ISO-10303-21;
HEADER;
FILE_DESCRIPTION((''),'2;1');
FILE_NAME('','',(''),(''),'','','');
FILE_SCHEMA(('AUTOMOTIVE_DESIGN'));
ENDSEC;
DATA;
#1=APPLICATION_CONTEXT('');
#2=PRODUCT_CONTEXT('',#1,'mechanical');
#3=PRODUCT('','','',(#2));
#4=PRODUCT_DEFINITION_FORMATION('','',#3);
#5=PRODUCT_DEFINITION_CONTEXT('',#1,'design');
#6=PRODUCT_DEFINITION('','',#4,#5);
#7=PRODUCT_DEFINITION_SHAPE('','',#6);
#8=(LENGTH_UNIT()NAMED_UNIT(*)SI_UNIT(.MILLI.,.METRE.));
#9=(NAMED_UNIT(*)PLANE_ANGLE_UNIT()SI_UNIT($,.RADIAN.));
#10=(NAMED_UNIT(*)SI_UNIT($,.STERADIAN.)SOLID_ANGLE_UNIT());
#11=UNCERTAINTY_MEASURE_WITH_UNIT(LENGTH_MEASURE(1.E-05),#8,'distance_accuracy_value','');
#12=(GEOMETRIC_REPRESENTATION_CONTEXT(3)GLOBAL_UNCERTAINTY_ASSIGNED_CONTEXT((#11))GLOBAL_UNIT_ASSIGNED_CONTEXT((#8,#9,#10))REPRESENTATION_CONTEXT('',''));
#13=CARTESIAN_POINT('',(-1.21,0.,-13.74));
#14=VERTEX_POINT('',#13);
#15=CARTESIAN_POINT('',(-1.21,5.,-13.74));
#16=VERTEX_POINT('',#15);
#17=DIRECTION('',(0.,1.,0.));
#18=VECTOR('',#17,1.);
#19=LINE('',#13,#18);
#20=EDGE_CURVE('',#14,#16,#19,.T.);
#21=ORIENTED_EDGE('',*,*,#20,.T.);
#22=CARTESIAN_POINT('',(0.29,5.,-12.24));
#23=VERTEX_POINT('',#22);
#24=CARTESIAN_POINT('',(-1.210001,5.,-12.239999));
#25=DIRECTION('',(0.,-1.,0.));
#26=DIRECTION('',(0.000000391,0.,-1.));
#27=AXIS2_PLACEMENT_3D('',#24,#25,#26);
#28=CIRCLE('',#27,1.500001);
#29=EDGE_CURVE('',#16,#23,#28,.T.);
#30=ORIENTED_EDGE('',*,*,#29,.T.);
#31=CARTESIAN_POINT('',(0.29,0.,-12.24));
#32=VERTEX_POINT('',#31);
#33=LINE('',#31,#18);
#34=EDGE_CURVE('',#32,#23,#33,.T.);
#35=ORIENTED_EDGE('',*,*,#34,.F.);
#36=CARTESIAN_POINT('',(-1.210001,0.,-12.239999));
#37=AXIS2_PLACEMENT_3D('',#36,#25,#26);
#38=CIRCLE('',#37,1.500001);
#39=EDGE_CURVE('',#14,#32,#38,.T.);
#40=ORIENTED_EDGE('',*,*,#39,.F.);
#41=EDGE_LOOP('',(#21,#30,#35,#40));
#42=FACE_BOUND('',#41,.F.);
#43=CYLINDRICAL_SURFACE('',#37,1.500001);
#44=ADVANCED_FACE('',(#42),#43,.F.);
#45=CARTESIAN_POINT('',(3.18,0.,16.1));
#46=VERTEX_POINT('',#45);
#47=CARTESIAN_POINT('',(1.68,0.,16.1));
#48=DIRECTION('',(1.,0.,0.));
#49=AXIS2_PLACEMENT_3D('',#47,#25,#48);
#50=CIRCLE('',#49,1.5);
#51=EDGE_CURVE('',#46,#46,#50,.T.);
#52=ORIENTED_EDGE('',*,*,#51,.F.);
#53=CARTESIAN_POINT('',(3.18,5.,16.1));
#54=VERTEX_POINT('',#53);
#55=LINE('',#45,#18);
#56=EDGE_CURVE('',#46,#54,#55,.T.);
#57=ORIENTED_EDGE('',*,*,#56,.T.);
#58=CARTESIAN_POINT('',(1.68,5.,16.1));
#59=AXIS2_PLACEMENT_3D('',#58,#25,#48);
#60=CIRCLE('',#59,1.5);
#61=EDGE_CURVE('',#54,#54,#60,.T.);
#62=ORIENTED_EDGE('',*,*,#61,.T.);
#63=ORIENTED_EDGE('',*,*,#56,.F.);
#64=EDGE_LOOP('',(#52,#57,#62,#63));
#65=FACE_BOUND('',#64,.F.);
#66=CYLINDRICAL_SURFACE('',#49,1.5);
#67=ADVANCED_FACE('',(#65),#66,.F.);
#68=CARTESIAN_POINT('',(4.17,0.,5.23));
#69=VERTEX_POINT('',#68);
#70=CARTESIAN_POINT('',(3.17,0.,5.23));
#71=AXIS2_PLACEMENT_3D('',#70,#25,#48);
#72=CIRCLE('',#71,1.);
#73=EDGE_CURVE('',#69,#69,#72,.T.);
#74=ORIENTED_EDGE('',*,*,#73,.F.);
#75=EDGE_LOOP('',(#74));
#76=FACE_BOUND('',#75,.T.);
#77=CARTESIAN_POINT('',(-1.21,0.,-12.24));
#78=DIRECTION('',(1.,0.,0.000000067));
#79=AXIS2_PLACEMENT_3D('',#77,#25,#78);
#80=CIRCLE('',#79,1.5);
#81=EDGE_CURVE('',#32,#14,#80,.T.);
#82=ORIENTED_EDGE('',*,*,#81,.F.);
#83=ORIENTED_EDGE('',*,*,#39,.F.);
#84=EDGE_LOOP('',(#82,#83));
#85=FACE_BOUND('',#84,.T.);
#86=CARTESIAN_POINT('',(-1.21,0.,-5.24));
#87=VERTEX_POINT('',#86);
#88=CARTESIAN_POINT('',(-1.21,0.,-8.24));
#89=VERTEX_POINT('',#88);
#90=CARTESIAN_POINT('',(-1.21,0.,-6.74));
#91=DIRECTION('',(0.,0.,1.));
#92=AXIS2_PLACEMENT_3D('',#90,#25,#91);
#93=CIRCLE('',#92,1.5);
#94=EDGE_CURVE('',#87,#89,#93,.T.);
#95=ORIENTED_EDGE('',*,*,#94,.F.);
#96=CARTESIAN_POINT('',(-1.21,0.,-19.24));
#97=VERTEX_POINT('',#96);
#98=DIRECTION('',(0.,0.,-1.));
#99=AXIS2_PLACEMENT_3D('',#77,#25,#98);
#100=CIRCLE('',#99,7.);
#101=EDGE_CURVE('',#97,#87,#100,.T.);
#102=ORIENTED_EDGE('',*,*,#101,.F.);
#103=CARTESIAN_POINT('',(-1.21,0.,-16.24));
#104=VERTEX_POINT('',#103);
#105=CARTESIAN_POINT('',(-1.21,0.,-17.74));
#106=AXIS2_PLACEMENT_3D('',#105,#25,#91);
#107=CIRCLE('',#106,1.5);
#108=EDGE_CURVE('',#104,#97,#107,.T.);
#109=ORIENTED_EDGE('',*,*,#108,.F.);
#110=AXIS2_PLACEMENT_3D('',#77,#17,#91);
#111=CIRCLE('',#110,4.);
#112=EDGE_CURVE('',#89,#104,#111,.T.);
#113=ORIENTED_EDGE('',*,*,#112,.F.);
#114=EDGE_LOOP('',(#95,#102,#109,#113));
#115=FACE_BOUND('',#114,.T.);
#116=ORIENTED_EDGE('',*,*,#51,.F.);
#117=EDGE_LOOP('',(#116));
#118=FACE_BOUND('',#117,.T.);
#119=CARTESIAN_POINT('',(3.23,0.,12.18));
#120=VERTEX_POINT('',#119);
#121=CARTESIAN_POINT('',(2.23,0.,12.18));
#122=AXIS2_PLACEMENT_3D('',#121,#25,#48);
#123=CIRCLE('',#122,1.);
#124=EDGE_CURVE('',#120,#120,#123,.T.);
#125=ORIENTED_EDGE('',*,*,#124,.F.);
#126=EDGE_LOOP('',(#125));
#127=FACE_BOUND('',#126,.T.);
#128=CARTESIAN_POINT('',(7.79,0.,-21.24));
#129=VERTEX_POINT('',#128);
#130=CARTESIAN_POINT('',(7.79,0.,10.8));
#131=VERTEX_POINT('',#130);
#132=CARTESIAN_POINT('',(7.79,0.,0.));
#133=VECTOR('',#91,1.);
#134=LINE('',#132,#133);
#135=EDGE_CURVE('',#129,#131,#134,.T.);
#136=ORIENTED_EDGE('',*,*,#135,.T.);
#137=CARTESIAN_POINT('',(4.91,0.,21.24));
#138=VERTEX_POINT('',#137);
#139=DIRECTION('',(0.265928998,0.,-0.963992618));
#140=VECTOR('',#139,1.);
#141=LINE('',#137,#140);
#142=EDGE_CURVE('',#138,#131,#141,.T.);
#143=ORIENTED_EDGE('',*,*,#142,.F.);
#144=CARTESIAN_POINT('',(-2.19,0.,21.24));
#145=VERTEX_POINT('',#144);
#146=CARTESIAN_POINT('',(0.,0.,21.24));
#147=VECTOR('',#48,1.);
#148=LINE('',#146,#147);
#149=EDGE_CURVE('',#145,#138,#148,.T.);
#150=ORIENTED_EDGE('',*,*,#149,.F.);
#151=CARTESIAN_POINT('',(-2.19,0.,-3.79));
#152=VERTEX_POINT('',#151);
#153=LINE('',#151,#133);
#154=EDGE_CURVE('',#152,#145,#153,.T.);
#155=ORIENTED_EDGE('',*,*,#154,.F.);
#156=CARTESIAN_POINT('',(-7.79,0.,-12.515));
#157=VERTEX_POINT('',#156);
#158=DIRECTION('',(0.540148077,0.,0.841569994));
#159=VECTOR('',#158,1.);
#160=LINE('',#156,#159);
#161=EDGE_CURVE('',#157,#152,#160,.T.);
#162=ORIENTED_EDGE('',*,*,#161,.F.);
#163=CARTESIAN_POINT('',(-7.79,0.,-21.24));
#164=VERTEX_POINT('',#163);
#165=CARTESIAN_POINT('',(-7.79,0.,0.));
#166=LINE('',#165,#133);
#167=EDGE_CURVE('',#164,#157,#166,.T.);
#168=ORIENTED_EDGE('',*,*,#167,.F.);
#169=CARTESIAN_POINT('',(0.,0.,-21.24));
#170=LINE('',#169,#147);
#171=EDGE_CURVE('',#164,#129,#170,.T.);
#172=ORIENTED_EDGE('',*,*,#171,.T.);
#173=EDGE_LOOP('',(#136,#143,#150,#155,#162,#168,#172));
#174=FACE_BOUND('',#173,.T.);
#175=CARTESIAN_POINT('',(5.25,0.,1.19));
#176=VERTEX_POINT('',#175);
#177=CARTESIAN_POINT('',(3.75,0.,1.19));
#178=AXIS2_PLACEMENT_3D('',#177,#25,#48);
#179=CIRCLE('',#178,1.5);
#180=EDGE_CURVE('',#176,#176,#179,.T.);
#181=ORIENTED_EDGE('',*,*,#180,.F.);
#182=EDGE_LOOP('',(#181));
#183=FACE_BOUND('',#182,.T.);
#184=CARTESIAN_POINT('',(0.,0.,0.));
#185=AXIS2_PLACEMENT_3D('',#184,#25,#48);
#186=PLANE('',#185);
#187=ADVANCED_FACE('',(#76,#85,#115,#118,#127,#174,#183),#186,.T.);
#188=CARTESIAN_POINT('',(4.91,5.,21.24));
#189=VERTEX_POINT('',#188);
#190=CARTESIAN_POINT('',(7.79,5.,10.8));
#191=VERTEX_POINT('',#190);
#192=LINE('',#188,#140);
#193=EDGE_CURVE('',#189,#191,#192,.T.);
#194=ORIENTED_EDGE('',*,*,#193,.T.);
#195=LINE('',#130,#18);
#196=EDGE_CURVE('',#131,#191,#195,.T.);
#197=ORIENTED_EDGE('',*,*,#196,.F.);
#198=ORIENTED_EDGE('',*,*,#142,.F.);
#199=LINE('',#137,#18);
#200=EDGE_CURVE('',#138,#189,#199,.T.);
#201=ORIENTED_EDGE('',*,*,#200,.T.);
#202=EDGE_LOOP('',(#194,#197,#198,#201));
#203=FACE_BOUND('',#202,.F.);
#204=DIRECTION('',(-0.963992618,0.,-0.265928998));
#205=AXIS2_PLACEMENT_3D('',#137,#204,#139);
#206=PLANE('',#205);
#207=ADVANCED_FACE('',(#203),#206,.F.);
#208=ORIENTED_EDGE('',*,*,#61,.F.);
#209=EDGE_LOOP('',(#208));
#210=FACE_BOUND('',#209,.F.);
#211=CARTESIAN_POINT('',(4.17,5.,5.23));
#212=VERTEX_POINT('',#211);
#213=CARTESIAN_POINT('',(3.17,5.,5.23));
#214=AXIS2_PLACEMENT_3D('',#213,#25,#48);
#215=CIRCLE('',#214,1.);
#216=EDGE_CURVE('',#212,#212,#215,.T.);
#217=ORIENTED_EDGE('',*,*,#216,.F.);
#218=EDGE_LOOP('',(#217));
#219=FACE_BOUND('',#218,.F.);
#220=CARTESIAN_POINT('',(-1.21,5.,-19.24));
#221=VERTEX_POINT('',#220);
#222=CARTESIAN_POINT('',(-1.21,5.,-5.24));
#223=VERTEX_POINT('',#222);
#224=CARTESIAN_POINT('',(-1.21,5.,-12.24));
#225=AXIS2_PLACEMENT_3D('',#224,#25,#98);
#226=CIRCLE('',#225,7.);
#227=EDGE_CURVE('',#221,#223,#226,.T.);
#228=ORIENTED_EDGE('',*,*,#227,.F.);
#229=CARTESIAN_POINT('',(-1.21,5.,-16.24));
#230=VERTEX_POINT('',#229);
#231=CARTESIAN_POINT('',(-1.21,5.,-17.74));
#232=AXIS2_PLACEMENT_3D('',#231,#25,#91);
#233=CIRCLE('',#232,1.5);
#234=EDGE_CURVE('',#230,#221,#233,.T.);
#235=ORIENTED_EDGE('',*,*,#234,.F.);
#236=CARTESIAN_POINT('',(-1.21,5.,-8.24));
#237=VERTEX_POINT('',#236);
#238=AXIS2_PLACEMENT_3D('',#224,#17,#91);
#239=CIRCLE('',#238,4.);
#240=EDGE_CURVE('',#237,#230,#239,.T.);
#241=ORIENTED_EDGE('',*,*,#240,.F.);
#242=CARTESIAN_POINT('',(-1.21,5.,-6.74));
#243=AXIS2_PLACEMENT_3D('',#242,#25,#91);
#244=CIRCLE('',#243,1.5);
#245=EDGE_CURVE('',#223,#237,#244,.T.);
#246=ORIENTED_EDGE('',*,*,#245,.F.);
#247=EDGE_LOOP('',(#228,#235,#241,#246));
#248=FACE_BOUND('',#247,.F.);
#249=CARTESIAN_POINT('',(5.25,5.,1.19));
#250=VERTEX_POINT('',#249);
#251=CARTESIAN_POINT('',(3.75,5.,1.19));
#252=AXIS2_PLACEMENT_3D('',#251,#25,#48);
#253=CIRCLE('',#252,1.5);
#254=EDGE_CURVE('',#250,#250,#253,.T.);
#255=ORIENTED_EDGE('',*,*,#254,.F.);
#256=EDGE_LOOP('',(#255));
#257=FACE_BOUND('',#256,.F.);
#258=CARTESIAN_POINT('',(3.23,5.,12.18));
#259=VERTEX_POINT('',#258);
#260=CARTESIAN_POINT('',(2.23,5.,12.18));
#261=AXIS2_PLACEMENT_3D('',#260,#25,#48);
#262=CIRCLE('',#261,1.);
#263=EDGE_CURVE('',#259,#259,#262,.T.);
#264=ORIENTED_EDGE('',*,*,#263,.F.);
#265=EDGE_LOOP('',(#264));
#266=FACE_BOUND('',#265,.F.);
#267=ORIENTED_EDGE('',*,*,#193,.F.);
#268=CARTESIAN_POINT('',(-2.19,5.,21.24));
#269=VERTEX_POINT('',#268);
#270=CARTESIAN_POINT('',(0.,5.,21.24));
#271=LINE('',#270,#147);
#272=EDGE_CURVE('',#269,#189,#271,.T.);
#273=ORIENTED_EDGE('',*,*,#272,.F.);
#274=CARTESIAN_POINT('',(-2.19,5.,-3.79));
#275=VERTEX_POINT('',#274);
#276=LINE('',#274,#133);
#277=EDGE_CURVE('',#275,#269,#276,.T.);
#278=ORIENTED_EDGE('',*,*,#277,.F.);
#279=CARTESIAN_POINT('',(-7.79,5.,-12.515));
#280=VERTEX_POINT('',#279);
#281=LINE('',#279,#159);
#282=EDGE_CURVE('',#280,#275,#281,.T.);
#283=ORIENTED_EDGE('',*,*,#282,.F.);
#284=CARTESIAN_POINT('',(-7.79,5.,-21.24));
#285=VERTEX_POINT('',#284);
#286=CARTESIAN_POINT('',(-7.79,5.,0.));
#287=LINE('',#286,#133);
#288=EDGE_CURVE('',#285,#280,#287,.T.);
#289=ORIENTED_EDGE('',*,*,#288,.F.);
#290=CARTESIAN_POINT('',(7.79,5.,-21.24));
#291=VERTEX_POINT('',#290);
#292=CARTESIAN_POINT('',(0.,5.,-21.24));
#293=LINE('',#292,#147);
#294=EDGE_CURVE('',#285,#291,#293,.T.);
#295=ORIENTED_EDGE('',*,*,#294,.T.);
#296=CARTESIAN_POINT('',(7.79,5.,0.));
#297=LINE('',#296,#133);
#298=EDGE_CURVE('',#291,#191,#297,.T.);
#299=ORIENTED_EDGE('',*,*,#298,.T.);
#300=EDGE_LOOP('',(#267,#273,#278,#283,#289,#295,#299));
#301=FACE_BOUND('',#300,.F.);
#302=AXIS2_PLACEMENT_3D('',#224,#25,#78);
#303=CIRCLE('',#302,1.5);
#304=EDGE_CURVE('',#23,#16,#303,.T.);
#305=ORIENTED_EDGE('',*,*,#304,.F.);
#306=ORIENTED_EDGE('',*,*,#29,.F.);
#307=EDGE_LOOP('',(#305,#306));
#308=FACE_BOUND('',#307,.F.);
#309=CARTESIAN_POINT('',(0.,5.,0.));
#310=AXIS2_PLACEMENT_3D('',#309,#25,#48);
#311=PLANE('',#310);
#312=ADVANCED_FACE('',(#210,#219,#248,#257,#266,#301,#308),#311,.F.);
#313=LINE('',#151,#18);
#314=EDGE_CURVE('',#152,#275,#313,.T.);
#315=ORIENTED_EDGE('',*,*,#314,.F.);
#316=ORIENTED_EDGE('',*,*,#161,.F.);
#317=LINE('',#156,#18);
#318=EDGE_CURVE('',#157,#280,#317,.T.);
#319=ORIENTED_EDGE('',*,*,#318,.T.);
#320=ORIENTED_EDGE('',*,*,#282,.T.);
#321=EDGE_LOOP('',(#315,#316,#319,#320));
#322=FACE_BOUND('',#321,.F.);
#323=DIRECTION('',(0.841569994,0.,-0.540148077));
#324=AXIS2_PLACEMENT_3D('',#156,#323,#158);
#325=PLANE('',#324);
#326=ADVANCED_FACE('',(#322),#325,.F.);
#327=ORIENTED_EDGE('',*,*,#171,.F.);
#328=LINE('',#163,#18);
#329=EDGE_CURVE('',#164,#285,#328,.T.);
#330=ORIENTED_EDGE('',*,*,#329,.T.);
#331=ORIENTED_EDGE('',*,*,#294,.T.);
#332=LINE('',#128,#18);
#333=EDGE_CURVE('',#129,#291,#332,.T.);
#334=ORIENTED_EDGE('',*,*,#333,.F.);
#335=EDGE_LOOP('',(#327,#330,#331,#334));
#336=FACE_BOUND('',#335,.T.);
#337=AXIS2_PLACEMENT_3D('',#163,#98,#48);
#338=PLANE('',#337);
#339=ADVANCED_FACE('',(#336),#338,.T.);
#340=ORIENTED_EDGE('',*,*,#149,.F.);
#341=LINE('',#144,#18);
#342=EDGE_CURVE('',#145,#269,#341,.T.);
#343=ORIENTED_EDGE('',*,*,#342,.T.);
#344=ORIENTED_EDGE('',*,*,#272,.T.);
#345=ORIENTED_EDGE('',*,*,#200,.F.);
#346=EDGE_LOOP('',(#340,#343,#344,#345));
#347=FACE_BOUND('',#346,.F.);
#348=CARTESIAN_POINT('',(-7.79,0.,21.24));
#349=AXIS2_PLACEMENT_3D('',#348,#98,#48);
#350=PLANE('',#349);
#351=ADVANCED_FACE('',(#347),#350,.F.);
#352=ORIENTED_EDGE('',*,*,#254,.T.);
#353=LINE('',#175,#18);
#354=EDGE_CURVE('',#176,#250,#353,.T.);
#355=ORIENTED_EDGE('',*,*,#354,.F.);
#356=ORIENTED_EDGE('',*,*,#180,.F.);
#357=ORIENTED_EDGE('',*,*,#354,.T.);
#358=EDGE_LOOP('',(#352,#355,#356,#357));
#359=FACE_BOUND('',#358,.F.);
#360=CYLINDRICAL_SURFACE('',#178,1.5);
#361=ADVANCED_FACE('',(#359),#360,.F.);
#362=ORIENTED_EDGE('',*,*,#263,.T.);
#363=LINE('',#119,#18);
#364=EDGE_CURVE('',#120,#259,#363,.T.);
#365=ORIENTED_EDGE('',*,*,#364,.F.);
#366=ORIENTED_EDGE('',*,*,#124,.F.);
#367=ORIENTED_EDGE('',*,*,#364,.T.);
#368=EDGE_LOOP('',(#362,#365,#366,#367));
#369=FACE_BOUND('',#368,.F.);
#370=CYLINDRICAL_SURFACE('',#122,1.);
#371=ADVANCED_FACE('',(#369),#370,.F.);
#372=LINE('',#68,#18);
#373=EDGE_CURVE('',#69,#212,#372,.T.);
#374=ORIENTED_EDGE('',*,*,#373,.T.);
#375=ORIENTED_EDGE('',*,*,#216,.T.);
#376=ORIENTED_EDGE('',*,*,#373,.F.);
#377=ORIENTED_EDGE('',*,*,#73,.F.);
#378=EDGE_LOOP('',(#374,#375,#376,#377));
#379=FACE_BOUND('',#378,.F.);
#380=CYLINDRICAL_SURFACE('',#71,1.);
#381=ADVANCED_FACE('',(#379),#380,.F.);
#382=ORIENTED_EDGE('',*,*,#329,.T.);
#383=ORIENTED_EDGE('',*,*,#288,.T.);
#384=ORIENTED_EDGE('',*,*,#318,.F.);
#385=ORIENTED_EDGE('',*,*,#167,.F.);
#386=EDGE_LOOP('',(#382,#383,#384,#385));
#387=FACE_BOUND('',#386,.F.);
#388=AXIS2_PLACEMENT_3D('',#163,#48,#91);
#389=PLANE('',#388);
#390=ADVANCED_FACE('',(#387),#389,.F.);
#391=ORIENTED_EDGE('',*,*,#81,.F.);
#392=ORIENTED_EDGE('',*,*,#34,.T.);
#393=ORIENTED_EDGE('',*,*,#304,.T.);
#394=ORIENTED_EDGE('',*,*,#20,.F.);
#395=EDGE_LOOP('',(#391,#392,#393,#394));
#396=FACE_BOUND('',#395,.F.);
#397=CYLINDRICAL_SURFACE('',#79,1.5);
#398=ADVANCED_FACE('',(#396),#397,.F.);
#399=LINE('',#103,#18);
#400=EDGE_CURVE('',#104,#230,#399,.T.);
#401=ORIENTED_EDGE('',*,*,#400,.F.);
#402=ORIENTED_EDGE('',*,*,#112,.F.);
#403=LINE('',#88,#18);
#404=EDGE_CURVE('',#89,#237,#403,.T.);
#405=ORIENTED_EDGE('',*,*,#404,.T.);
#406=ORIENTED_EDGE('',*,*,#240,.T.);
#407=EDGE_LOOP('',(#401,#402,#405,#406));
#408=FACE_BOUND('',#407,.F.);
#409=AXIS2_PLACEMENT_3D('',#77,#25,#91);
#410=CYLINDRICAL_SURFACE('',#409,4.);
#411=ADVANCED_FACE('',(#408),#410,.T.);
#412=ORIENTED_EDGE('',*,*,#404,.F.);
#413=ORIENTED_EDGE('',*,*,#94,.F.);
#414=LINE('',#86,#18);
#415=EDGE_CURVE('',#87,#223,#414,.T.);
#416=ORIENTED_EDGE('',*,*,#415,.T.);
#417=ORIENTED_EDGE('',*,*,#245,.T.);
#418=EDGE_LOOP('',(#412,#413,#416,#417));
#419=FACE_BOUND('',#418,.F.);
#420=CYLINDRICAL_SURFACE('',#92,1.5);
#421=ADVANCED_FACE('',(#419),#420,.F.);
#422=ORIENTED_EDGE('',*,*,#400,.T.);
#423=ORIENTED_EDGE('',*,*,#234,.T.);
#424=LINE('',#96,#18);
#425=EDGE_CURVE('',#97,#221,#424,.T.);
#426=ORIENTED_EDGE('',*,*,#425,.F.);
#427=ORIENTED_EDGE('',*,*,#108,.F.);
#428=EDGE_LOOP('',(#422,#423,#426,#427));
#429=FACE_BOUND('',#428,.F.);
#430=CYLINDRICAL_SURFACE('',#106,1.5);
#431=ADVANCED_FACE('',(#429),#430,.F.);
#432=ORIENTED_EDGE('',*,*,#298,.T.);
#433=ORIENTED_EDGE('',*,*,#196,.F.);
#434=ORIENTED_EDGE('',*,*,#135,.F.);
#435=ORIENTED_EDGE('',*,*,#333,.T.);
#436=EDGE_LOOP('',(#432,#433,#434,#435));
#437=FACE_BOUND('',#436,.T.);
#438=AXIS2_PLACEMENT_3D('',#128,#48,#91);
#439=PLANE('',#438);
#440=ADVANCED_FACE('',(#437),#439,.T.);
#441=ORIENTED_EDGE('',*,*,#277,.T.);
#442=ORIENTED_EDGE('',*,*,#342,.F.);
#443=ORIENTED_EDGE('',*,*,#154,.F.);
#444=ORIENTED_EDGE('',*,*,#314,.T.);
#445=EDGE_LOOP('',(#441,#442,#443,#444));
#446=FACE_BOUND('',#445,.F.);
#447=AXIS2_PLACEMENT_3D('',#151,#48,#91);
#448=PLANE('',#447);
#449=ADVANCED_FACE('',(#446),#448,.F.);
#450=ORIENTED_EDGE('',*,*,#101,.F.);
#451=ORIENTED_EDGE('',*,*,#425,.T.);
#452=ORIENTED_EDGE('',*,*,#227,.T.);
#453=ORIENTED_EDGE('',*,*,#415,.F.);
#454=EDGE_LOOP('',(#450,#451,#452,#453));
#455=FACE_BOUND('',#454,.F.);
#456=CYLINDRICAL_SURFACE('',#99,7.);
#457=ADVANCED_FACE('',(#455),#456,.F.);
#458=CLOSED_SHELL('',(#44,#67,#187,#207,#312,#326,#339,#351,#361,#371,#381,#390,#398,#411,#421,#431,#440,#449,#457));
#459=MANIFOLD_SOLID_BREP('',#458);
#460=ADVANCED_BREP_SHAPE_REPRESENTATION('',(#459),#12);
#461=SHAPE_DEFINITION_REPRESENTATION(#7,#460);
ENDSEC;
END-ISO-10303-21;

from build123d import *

# Parameters (mm, degrees)
F0_W     = 15.58
F0_H     = 42.48
F1_DEPTH = 5
F3_DEPTH = 5
F5_DEPTH = 5
F6_R     = 1.5
F6_R_2   = 1
F7_DEPTH = 5
F9_DEPTH = 5


with BuildPart() as f1:
    # F0 (on Front) → F1 (new body)
    with BuildSketch(Plane.XZ):
        Rectangle(F0_W, F0_H)
    extrude(amount=-F1_DEPTH)

    # F2 (on face) → F3 (cut, through all)
    with BuildSketch(Plane.XZ):
        Polygon((4.91, 21.24), (7.79, 10.8), (7.79, 21.24), align=None)
    extrude(amount=-F3_DEPTH, mode=Mode.SUBTRACT)

    # F4 (on face) → F5 (cut, through all)
    with BuildSketch(Plane.XZ):
        Polygon((-2.19, -3.79), (-2.19, 21.24), (-7.79, 21.24), (-7.79, -12.515), align=None)
    extrude(amount=-F5_DEPTH, mode=Mode.SUBTRACT)

    # F6 (on face) → F7 (cut, through all)
    with BuildSketch(Plane.XZ):
        with Locations((3.75, 1.19)):
            Circle(F6_R)
        with Locations((3.17, 5.23)):
            Circle(F6_R_2)
        with Locations((2.23, 12.18)):
            Circle(F6_R_2)
        with Locations((1.68, 16.1)):
            Circle(F6_R)
    extrude(amount=-F7_DEPTH, mode=Mode.SUBTRACT)

    # F8 (on face) → F9 (cut, through all)
    with BuildSketch(Plane.XZ):
        with BuildLine():
            ThreePointArc((-1.21, -16.24), (-2.71, -17.74), (-1.21, -19.24))
            Line((-1.21, -19.24), (-1.21, -17.74))
            Line((-1.21, -17.74), (-1.21, -16.74))
            Line((-1.21, -16.74), (-1.21, -16.24))
        make_face()
        with BuildLine():
            Line((-1.21, -17.74), (-1.21, -19.24))
            ThreePointArc((-1.21, -19.24), (5.79, -12.24), (-1.21, -5.24))
            Line((-1.21, -5.24), (-1.21, -6.74))
            Line((-1.21, -6.74), (-1.21, -8.24))
            ThreePointArc((-1.21, -8.24), (2.79, -12.24), (-1.21, -16.24))
            Line((-1.21, -16.24), (-1.21, -16.74))
            Line((-1.21, -16.74), (-1.21, -17.74))
        make_face()
        with BuildLine():
            ThreePointArc((0.29, -12.24), (-2.27066, -11.17934), (-1.21, -13.74))
            ThreePointArc((-1.21, -13.74), (-0.14934, -13.30066), (0.29, -12.24))
        make_face()
        with BuildLine():
            Line((-1.21, -6.74), (-1.21, -5.24))
            ThreePointArc((-1.21, -5.24), (-2.71, -6.74), (-1.21, -8.24))
            Line((-1.21, -8.24), (-1.21, -6.74))
        make_face()
    extrude(amount=-F9_DEPTH, mode=Mode.SUBTRACT)


solid = f1.part
